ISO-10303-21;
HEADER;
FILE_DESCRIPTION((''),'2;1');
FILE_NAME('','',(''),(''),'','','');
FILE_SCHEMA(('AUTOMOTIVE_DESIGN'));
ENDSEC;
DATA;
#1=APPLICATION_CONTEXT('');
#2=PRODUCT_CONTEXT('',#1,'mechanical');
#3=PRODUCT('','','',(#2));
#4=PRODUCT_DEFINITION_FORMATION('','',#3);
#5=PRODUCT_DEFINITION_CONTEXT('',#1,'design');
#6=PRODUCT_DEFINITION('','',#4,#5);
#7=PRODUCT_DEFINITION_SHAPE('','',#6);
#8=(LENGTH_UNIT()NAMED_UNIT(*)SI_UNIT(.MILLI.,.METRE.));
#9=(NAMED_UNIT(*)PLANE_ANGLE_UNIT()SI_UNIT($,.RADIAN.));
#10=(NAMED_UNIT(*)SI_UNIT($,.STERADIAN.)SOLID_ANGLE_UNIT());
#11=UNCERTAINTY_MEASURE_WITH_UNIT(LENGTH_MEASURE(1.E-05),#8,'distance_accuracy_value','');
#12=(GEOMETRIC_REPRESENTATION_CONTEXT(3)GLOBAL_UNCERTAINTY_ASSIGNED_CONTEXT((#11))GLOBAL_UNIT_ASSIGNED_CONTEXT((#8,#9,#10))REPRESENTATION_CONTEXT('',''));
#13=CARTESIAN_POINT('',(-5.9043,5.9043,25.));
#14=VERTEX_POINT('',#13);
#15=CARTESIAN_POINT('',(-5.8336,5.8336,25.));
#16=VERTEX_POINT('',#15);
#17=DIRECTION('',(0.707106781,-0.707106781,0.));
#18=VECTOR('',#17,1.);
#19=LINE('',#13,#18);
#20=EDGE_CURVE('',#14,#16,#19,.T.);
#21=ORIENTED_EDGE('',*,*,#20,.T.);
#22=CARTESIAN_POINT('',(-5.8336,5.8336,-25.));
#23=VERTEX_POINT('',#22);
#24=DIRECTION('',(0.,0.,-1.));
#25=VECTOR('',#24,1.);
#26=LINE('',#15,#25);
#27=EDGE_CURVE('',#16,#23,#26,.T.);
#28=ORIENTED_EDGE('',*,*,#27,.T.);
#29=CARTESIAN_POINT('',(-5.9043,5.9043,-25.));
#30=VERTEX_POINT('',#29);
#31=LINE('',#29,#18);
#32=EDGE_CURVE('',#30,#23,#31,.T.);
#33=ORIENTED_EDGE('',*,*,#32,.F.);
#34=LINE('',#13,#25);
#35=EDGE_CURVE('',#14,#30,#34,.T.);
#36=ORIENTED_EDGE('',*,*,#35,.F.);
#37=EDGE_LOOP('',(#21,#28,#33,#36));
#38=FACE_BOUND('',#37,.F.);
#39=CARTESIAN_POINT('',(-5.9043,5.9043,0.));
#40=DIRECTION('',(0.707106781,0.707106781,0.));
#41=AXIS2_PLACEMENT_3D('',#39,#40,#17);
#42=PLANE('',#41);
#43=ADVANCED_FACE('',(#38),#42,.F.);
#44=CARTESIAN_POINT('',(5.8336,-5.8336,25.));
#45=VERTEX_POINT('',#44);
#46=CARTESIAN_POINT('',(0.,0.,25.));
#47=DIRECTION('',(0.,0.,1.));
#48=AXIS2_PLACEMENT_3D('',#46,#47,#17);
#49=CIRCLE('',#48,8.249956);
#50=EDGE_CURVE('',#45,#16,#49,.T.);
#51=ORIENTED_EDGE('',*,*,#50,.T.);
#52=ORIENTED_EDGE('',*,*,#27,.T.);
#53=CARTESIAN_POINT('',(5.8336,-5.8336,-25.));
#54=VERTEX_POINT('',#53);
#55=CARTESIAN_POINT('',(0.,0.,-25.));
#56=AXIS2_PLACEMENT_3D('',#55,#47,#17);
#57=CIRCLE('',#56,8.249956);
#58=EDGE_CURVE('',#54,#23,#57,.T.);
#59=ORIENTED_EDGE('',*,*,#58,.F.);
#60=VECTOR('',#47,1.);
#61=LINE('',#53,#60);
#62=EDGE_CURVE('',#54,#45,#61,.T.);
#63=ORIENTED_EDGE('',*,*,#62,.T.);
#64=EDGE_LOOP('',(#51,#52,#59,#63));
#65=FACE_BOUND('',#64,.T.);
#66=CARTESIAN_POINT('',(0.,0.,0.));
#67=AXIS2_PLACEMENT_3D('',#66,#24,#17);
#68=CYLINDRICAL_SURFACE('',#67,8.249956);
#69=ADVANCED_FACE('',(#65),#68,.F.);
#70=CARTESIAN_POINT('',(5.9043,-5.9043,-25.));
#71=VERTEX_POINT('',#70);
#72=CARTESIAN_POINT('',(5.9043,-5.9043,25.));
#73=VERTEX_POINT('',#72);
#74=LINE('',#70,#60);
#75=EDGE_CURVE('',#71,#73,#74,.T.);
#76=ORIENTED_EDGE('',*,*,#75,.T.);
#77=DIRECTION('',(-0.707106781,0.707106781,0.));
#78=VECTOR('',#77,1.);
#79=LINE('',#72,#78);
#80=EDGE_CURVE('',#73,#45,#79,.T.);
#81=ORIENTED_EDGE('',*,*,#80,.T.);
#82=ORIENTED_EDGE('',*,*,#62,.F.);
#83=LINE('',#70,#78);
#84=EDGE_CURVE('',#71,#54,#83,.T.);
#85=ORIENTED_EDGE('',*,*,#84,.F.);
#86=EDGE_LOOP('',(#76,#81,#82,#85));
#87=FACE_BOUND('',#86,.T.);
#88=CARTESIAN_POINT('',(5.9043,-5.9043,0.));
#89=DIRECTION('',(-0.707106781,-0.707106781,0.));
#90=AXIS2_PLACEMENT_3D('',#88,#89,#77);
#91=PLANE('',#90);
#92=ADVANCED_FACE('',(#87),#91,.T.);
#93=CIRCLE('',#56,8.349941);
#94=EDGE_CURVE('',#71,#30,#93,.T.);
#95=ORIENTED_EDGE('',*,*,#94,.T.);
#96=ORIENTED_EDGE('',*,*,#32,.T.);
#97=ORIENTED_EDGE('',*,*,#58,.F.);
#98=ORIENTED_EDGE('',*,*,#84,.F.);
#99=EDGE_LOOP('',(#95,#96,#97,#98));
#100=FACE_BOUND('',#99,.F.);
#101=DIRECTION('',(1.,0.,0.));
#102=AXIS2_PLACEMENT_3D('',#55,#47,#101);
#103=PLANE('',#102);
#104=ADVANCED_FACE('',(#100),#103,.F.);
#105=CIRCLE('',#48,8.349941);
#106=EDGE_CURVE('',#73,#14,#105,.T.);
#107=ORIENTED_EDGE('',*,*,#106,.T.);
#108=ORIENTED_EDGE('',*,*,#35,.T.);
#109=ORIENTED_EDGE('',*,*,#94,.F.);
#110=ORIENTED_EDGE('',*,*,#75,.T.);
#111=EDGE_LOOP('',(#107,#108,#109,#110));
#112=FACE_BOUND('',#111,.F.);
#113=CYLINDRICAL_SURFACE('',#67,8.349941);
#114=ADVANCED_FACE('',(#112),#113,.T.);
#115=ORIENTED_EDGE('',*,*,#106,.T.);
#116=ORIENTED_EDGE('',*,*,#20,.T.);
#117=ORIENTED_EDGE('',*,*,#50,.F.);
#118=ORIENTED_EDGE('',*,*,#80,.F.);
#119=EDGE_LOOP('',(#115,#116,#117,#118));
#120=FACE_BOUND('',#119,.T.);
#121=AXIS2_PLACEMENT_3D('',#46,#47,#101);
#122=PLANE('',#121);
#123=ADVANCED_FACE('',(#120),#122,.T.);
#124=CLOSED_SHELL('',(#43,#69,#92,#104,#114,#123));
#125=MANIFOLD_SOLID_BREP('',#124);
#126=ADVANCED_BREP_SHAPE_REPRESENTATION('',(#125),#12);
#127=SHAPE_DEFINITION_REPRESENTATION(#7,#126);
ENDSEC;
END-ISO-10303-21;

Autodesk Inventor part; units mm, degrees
ref_plane "YZ Plane" through (0, 0, 0) normal (1, 0, 0) x (0, 1, 0)
ref_plane "XZ Plane" through (0, 0, 0) normal (0, 1, 0) x (-1, 0, 0)
ref_plane "XY Plane" through (0, 0, 0) normal (0, 0, 1) x (1, 0, 0)
sketch "Sketch1" plane through (0, 0, 0) normal (0, 0, 1) x (1, 0, 0)
  arc A0 (5.8336, -5.8336) -> (-5.8336, 5.8336) centre (0, 0) ccw
  line L0 (-5.8336, 5.8336) -> (0, 0) construction
  line L1 (0, 0) -> (5.8336, -5.8336) construction
  line L2 (0, 0) -> (0, -21.6093) construction
  arc A1 (5.9043, -5.9043) -> (-5.9043, 5.9043) centre (0, 0) ccw
  line L3 (-5.9043, 5.9043) -> (-5.8336, 5.8336)
  line L4 (5.9043, -5.9043) -> (5.8336, -5.8336)
  dimension "d0" = 8.25
  dimension "d1" = 180
  dimension "d2" = 45
  dimension "d3" = 0.1
extrude "Extrusion1" add sketch "Sketch1" along normal mid plane 50
properties part number "kaptonheater_OmegaKHLV102" material "Acetal Resin, Black"
